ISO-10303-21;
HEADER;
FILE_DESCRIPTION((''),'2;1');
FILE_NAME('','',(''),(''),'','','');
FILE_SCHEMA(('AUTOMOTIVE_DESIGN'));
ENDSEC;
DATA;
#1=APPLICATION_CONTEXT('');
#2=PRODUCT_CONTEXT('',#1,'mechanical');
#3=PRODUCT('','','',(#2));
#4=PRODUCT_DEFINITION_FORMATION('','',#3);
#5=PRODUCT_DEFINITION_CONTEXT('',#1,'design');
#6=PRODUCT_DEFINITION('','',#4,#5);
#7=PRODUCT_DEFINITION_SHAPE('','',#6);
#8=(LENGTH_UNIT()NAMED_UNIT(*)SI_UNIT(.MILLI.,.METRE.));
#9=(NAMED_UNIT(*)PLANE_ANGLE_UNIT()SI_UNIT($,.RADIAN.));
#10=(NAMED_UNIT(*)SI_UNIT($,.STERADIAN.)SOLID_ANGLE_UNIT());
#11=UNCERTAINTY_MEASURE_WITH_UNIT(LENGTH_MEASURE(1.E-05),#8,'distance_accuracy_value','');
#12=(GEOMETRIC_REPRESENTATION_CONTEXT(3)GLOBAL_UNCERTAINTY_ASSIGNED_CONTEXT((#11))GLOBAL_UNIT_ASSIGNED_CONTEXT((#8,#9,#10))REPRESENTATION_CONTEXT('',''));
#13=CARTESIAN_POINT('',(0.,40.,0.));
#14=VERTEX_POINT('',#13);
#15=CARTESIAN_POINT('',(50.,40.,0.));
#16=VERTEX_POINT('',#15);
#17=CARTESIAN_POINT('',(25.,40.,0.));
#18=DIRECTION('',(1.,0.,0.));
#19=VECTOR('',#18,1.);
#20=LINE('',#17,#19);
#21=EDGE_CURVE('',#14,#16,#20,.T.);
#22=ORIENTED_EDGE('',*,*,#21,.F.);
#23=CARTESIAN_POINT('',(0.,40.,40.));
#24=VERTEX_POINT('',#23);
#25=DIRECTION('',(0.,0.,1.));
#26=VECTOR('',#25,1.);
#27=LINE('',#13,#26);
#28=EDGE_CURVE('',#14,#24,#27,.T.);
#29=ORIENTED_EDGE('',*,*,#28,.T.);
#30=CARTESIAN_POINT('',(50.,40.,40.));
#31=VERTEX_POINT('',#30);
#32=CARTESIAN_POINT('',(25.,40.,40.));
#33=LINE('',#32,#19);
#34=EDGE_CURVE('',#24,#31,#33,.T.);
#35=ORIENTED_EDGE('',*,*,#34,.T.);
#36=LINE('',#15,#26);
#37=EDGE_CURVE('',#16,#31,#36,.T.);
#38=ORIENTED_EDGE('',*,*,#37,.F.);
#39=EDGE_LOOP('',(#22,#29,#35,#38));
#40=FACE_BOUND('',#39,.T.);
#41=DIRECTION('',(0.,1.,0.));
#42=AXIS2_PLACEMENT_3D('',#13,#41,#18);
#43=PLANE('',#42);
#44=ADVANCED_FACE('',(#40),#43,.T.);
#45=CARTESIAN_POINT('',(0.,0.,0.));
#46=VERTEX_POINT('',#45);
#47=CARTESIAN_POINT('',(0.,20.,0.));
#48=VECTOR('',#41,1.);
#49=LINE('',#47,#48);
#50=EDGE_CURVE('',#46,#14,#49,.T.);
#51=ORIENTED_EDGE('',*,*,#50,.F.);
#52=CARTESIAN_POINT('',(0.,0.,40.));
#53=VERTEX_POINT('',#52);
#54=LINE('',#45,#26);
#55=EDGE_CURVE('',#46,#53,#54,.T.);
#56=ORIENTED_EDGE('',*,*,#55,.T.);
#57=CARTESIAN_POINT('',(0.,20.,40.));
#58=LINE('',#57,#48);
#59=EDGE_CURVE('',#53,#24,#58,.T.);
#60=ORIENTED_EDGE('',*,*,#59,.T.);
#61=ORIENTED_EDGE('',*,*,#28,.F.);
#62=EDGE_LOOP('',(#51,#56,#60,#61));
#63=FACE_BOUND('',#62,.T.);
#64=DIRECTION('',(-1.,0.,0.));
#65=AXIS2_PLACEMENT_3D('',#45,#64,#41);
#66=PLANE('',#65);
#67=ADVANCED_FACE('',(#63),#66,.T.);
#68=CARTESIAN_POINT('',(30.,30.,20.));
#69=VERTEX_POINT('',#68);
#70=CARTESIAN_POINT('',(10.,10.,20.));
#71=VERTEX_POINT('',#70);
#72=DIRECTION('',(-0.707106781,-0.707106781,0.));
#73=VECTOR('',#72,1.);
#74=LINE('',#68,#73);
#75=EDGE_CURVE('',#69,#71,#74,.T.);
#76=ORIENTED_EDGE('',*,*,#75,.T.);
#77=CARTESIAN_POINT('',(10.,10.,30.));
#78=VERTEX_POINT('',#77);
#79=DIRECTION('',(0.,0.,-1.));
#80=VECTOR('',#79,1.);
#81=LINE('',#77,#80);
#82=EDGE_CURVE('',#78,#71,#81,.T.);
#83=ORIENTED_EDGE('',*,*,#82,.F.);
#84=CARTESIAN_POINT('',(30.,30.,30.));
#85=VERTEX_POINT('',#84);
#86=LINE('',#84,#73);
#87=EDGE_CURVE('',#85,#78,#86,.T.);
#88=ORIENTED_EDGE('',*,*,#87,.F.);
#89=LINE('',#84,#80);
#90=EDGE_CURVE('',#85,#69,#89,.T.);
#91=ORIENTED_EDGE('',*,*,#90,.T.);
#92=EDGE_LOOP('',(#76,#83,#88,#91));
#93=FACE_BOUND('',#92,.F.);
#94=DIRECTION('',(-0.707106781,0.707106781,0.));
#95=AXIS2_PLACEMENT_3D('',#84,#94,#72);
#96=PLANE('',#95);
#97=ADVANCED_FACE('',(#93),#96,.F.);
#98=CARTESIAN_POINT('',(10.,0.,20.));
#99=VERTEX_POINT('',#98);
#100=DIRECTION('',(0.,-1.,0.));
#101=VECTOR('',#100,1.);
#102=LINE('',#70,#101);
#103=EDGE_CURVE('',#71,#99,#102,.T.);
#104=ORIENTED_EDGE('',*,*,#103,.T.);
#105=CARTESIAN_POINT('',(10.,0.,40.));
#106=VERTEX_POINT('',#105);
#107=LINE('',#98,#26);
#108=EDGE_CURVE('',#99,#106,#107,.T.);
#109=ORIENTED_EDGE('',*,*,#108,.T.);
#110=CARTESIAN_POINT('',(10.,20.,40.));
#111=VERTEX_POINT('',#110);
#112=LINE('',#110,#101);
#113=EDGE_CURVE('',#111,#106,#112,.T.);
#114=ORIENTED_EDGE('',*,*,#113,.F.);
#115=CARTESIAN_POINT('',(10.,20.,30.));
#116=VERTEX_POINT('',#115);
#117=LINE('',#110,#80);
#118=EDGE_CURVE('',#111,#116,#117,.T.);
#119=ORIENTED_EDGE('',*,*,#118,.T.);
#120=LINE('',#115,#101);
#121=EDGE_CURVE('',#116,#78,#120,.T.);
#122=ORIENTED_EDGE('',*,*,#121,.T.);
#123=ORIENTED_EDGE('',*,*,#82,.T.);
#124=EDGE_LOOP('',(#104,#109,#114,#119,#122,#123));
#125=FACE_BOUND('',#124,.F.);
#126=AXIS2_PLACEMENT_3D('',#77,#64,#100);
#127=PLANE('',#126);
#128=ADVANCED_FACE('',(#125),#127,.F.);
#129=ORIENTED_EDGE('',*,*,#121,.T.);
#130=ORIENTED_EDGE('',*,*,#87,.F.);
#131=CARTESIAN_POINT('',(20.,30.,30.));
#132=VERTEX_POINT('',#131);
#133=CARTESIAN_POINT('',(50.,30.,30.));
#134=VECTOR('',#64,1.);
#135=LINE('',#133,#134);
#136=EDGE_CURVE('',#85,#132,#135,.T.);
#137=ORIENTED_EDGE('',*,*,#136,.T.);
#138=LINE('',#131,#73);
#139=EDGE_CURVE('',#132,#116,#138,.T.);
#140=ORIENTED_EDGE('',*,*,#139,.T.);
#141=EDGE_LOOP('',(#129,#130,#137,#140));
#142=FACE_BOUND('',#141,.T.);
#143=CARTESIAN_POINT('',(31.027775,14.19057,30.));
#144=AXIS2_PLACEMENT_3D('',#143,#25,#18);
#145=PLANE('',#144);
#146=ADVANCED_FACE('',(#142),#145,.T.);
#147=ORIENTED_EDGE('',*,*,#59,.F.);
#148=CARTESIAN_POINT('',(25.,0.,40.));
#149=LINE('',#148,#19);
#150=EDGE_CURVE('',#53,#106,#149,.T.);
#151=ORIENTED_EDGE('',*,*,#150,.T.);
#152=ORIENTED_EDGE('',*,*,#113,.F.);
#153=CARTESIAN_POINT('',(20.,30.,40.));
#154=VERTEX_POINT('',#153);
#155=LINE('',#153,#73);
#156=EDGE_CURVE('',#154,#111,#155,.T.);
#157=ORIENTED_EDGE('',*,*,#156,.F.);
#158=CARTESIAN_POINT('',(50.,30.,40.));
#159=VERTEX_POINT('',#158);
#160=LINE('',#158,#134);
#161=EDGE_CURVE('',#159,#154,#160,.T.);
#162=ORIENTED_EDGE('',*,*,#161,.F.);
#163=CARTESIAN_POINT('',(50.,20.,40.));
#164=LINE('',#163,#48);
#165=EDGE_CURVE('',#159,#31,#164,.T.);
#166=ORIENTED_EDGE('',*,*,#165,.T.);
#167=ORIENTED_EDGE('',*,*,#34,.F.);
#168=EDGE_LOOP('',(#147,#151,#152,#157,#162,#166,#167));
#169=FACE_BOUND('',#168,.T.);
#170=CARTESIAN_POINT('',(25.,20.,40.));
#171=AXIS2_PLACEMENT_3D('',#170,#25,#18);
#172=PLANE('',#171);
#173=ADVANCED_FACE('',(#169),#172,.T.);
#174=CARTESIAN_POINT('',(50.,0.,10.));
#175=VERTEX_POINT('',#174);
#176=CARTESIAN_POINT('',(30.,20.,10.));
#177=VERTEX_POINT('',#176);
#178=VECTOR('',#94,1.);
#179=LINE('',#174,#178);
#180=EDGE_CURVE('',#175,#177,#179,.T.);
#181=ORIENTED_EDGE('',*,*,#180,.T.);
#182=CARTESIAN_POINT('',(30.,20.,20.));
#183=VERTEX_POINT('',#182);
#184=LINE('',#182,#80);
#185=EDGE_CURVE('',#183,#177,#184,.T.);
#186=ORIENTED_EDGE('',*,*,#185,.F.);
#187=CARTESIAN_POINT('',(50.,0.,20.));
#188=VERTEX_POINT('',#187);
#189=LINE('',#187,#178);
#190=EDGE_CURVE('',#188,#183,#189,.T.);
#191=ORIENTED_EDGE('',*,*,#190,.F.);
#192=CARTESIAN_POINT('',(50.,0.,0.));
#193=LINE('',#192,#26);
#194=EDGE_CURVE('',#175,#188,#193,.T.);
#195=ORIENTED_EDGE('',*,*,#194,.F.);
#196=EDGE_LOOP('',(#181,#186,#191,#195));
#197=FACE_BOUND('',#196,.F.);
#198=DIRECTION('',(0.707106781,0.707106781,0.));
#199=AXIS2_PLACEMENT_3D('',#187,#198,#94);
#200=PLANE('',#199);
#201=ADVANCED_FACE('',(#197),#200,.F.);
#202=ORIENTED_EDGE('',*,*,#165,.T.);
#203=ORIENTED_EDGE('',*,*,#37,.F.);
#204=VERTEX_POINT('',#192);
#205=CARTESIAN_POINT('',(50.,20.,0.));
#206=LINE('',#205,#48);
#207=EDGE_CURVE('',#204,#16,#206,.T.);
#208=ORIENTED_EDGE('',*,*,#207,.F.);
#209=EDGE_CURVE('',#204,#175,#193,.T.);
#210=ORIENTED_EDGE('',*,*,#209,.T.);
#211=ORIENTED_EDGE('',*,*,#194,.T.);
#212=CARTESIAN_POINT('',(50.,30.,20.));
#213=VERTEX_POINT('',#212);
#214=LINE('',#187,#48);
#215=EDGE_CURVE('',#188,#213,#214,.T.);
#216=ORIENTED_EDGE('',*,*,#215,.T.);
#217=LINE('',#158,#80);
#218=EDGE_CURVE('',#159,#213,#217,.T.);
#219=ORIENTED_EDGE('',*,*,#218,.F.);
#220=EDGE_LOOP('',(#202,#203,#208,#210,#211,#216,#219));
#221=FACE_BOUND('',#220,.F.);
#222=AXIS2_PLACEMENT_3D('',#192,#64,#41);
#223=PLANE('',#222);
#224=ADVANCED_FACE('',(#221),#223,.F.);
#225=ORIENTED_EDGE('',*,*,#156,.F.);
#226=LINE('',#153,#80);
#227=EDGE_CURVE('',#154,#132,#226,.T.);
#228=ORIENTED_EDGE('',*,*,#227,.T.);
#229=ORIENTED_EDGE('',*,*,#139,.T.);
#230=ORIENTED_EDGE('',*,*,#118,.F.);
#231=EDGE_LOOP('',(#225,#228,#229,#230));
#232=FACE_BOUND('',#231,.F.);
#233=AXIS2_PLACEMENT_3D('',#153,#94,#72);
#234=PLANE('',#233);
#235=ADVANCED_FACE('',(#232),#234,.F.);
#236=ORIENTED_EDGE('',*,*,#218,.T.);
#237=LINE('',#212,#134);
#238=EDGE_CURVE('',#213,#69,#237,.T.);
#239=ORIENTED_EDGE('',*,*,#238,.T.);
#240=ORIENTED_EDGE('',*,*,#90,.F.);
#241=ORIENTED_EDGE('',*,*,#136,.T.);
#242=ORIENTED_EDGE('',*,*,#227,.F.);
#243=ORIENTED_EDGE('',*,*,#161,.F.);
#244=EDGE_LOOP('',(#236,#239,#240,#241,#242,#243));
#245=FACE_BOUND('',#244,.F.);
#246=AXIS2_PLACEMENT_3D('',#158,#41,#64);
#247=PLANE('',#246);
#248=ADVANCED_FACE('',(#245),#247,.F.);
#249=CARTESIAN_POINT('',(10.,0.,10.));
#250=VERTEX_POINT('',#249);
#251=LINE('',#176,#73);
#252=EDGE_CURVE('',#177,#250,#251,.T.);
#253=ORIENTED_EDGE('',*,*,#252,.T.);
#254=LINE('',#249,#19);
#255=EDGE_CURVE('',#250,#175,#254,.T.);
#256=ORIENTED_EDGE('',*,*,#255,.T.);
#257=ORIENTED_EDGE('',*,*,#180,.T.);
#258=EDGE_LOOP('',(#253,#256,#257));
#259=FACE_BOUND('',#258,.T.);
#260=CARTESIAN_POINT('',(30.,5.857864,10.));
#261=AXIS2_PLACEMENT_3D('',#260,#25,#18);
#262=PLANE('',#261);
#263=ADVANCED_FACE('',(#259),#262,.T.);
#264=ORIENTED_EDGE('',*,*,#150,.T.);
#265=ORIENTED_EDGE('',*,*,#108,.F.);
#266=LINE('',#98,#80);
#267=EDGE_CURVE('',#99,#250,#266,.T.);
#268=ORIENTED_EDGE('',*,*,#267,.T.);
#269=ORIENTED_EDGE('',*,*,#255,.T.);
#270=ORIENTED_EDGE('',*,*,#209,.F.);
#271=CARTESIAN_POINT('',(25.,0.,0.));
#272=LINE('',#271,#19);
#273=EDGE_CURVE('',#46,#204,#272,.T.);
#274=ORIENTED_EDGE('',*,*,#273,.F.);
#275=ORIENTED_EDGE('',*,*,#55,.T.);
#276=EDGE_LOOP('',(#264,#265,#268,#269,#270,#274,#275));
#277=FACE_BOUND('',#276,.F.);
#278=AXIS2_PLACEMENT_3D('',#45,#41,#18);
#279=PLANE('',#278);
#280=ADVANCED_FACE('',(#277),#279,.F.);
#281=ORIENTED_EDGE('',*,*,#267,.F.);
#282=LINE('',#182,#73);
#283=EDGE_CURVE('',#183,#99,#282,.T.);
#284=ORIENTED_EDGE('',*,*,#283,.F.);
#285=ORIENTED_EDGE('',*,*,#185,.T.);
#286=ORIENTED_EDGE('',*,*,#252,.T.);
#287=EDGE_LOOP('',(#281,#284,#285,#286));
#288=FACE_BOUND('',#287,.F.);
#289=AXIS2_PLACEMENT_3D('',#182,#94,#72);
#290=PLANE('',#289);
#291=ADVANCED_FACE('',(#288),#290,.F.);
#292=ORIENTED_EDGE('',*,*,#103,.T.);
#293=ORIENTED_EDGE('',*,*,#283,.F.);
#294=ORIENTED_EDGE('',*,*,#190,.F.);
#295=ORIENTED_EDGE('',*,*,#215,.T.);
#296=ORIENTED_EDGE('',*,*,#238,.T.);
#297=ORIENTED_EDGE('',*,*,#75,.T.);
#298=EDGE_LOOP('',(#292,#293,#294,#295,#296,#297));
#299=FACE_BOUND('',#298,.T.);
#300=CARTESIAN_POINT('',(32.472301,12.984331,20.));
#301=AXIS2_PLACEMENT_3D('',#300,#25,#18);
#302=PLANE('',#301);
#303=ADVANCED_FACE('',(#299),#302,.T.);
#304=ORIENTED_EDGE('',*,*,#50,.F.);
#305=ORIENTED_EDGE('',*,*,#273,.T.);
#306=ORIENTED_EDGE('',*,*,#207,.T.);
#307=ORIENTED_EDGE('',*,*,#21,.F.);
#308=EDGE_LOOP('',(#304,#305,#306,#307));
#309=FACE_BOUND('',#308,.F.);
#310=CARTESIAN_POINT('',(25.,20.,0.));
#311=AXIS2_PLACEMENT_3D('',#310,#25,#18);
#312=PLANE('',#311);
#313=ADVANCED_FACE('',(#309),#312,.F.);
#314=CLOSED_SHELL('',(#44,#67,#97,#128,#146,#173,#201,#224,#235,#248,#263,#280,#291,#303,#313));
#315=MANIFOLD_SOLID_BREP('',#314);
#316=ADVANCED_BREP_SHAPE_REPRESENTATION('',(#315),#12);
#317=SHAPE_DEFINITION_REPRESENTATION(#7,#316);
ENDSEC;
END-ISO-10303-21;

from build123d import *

# Parameters (mm, degrees)
F0_W     = 50
F0_H     = 40
F1_DEPTH = 40
F3_DEPTH = 10
F5_DEPTH = 10
F7_DEPTH = 10


with BuildPart() as f1:
    # F0 (on Top) → F1 (new body)
    with BuildSketch(Plane.XY):
        with Locations((25, 20)):
            Rectangle(F0_W, F0_H)
    extrude(amount=F1_DEPTH)

    # F2 (on face) → F3 (cut)
    with BuildSketch(Plane.XY.offset(40)):
        Polygon((10, 20), (10, 0), (50, 0), (50, 30), (20, 30), align=None)
    extrude(amount=-F3_DEPTH, mode=Mode.SUBTRACT)

    # F4 (on face) → F5 (cut)
    with BuildSketch(Plane.XY.offset(30)):
        Polygon((10, 10), (10, 0), (50, 0), (50, 30), (30, 30), align=None)
    extrude(amount=-F5_DEPTH, mode=Mode.SUBTRACT)

    # F6 (on face) → F7 (cut)
    with BuildSketch(Plane.XY.offset(20)):
        Polygon((30, 20), (10, 0), (50, 0), align=None)
    extrude(amount=-F7_DEPTH, mode=Mode.SUBTRACT)


solid = f1.part
